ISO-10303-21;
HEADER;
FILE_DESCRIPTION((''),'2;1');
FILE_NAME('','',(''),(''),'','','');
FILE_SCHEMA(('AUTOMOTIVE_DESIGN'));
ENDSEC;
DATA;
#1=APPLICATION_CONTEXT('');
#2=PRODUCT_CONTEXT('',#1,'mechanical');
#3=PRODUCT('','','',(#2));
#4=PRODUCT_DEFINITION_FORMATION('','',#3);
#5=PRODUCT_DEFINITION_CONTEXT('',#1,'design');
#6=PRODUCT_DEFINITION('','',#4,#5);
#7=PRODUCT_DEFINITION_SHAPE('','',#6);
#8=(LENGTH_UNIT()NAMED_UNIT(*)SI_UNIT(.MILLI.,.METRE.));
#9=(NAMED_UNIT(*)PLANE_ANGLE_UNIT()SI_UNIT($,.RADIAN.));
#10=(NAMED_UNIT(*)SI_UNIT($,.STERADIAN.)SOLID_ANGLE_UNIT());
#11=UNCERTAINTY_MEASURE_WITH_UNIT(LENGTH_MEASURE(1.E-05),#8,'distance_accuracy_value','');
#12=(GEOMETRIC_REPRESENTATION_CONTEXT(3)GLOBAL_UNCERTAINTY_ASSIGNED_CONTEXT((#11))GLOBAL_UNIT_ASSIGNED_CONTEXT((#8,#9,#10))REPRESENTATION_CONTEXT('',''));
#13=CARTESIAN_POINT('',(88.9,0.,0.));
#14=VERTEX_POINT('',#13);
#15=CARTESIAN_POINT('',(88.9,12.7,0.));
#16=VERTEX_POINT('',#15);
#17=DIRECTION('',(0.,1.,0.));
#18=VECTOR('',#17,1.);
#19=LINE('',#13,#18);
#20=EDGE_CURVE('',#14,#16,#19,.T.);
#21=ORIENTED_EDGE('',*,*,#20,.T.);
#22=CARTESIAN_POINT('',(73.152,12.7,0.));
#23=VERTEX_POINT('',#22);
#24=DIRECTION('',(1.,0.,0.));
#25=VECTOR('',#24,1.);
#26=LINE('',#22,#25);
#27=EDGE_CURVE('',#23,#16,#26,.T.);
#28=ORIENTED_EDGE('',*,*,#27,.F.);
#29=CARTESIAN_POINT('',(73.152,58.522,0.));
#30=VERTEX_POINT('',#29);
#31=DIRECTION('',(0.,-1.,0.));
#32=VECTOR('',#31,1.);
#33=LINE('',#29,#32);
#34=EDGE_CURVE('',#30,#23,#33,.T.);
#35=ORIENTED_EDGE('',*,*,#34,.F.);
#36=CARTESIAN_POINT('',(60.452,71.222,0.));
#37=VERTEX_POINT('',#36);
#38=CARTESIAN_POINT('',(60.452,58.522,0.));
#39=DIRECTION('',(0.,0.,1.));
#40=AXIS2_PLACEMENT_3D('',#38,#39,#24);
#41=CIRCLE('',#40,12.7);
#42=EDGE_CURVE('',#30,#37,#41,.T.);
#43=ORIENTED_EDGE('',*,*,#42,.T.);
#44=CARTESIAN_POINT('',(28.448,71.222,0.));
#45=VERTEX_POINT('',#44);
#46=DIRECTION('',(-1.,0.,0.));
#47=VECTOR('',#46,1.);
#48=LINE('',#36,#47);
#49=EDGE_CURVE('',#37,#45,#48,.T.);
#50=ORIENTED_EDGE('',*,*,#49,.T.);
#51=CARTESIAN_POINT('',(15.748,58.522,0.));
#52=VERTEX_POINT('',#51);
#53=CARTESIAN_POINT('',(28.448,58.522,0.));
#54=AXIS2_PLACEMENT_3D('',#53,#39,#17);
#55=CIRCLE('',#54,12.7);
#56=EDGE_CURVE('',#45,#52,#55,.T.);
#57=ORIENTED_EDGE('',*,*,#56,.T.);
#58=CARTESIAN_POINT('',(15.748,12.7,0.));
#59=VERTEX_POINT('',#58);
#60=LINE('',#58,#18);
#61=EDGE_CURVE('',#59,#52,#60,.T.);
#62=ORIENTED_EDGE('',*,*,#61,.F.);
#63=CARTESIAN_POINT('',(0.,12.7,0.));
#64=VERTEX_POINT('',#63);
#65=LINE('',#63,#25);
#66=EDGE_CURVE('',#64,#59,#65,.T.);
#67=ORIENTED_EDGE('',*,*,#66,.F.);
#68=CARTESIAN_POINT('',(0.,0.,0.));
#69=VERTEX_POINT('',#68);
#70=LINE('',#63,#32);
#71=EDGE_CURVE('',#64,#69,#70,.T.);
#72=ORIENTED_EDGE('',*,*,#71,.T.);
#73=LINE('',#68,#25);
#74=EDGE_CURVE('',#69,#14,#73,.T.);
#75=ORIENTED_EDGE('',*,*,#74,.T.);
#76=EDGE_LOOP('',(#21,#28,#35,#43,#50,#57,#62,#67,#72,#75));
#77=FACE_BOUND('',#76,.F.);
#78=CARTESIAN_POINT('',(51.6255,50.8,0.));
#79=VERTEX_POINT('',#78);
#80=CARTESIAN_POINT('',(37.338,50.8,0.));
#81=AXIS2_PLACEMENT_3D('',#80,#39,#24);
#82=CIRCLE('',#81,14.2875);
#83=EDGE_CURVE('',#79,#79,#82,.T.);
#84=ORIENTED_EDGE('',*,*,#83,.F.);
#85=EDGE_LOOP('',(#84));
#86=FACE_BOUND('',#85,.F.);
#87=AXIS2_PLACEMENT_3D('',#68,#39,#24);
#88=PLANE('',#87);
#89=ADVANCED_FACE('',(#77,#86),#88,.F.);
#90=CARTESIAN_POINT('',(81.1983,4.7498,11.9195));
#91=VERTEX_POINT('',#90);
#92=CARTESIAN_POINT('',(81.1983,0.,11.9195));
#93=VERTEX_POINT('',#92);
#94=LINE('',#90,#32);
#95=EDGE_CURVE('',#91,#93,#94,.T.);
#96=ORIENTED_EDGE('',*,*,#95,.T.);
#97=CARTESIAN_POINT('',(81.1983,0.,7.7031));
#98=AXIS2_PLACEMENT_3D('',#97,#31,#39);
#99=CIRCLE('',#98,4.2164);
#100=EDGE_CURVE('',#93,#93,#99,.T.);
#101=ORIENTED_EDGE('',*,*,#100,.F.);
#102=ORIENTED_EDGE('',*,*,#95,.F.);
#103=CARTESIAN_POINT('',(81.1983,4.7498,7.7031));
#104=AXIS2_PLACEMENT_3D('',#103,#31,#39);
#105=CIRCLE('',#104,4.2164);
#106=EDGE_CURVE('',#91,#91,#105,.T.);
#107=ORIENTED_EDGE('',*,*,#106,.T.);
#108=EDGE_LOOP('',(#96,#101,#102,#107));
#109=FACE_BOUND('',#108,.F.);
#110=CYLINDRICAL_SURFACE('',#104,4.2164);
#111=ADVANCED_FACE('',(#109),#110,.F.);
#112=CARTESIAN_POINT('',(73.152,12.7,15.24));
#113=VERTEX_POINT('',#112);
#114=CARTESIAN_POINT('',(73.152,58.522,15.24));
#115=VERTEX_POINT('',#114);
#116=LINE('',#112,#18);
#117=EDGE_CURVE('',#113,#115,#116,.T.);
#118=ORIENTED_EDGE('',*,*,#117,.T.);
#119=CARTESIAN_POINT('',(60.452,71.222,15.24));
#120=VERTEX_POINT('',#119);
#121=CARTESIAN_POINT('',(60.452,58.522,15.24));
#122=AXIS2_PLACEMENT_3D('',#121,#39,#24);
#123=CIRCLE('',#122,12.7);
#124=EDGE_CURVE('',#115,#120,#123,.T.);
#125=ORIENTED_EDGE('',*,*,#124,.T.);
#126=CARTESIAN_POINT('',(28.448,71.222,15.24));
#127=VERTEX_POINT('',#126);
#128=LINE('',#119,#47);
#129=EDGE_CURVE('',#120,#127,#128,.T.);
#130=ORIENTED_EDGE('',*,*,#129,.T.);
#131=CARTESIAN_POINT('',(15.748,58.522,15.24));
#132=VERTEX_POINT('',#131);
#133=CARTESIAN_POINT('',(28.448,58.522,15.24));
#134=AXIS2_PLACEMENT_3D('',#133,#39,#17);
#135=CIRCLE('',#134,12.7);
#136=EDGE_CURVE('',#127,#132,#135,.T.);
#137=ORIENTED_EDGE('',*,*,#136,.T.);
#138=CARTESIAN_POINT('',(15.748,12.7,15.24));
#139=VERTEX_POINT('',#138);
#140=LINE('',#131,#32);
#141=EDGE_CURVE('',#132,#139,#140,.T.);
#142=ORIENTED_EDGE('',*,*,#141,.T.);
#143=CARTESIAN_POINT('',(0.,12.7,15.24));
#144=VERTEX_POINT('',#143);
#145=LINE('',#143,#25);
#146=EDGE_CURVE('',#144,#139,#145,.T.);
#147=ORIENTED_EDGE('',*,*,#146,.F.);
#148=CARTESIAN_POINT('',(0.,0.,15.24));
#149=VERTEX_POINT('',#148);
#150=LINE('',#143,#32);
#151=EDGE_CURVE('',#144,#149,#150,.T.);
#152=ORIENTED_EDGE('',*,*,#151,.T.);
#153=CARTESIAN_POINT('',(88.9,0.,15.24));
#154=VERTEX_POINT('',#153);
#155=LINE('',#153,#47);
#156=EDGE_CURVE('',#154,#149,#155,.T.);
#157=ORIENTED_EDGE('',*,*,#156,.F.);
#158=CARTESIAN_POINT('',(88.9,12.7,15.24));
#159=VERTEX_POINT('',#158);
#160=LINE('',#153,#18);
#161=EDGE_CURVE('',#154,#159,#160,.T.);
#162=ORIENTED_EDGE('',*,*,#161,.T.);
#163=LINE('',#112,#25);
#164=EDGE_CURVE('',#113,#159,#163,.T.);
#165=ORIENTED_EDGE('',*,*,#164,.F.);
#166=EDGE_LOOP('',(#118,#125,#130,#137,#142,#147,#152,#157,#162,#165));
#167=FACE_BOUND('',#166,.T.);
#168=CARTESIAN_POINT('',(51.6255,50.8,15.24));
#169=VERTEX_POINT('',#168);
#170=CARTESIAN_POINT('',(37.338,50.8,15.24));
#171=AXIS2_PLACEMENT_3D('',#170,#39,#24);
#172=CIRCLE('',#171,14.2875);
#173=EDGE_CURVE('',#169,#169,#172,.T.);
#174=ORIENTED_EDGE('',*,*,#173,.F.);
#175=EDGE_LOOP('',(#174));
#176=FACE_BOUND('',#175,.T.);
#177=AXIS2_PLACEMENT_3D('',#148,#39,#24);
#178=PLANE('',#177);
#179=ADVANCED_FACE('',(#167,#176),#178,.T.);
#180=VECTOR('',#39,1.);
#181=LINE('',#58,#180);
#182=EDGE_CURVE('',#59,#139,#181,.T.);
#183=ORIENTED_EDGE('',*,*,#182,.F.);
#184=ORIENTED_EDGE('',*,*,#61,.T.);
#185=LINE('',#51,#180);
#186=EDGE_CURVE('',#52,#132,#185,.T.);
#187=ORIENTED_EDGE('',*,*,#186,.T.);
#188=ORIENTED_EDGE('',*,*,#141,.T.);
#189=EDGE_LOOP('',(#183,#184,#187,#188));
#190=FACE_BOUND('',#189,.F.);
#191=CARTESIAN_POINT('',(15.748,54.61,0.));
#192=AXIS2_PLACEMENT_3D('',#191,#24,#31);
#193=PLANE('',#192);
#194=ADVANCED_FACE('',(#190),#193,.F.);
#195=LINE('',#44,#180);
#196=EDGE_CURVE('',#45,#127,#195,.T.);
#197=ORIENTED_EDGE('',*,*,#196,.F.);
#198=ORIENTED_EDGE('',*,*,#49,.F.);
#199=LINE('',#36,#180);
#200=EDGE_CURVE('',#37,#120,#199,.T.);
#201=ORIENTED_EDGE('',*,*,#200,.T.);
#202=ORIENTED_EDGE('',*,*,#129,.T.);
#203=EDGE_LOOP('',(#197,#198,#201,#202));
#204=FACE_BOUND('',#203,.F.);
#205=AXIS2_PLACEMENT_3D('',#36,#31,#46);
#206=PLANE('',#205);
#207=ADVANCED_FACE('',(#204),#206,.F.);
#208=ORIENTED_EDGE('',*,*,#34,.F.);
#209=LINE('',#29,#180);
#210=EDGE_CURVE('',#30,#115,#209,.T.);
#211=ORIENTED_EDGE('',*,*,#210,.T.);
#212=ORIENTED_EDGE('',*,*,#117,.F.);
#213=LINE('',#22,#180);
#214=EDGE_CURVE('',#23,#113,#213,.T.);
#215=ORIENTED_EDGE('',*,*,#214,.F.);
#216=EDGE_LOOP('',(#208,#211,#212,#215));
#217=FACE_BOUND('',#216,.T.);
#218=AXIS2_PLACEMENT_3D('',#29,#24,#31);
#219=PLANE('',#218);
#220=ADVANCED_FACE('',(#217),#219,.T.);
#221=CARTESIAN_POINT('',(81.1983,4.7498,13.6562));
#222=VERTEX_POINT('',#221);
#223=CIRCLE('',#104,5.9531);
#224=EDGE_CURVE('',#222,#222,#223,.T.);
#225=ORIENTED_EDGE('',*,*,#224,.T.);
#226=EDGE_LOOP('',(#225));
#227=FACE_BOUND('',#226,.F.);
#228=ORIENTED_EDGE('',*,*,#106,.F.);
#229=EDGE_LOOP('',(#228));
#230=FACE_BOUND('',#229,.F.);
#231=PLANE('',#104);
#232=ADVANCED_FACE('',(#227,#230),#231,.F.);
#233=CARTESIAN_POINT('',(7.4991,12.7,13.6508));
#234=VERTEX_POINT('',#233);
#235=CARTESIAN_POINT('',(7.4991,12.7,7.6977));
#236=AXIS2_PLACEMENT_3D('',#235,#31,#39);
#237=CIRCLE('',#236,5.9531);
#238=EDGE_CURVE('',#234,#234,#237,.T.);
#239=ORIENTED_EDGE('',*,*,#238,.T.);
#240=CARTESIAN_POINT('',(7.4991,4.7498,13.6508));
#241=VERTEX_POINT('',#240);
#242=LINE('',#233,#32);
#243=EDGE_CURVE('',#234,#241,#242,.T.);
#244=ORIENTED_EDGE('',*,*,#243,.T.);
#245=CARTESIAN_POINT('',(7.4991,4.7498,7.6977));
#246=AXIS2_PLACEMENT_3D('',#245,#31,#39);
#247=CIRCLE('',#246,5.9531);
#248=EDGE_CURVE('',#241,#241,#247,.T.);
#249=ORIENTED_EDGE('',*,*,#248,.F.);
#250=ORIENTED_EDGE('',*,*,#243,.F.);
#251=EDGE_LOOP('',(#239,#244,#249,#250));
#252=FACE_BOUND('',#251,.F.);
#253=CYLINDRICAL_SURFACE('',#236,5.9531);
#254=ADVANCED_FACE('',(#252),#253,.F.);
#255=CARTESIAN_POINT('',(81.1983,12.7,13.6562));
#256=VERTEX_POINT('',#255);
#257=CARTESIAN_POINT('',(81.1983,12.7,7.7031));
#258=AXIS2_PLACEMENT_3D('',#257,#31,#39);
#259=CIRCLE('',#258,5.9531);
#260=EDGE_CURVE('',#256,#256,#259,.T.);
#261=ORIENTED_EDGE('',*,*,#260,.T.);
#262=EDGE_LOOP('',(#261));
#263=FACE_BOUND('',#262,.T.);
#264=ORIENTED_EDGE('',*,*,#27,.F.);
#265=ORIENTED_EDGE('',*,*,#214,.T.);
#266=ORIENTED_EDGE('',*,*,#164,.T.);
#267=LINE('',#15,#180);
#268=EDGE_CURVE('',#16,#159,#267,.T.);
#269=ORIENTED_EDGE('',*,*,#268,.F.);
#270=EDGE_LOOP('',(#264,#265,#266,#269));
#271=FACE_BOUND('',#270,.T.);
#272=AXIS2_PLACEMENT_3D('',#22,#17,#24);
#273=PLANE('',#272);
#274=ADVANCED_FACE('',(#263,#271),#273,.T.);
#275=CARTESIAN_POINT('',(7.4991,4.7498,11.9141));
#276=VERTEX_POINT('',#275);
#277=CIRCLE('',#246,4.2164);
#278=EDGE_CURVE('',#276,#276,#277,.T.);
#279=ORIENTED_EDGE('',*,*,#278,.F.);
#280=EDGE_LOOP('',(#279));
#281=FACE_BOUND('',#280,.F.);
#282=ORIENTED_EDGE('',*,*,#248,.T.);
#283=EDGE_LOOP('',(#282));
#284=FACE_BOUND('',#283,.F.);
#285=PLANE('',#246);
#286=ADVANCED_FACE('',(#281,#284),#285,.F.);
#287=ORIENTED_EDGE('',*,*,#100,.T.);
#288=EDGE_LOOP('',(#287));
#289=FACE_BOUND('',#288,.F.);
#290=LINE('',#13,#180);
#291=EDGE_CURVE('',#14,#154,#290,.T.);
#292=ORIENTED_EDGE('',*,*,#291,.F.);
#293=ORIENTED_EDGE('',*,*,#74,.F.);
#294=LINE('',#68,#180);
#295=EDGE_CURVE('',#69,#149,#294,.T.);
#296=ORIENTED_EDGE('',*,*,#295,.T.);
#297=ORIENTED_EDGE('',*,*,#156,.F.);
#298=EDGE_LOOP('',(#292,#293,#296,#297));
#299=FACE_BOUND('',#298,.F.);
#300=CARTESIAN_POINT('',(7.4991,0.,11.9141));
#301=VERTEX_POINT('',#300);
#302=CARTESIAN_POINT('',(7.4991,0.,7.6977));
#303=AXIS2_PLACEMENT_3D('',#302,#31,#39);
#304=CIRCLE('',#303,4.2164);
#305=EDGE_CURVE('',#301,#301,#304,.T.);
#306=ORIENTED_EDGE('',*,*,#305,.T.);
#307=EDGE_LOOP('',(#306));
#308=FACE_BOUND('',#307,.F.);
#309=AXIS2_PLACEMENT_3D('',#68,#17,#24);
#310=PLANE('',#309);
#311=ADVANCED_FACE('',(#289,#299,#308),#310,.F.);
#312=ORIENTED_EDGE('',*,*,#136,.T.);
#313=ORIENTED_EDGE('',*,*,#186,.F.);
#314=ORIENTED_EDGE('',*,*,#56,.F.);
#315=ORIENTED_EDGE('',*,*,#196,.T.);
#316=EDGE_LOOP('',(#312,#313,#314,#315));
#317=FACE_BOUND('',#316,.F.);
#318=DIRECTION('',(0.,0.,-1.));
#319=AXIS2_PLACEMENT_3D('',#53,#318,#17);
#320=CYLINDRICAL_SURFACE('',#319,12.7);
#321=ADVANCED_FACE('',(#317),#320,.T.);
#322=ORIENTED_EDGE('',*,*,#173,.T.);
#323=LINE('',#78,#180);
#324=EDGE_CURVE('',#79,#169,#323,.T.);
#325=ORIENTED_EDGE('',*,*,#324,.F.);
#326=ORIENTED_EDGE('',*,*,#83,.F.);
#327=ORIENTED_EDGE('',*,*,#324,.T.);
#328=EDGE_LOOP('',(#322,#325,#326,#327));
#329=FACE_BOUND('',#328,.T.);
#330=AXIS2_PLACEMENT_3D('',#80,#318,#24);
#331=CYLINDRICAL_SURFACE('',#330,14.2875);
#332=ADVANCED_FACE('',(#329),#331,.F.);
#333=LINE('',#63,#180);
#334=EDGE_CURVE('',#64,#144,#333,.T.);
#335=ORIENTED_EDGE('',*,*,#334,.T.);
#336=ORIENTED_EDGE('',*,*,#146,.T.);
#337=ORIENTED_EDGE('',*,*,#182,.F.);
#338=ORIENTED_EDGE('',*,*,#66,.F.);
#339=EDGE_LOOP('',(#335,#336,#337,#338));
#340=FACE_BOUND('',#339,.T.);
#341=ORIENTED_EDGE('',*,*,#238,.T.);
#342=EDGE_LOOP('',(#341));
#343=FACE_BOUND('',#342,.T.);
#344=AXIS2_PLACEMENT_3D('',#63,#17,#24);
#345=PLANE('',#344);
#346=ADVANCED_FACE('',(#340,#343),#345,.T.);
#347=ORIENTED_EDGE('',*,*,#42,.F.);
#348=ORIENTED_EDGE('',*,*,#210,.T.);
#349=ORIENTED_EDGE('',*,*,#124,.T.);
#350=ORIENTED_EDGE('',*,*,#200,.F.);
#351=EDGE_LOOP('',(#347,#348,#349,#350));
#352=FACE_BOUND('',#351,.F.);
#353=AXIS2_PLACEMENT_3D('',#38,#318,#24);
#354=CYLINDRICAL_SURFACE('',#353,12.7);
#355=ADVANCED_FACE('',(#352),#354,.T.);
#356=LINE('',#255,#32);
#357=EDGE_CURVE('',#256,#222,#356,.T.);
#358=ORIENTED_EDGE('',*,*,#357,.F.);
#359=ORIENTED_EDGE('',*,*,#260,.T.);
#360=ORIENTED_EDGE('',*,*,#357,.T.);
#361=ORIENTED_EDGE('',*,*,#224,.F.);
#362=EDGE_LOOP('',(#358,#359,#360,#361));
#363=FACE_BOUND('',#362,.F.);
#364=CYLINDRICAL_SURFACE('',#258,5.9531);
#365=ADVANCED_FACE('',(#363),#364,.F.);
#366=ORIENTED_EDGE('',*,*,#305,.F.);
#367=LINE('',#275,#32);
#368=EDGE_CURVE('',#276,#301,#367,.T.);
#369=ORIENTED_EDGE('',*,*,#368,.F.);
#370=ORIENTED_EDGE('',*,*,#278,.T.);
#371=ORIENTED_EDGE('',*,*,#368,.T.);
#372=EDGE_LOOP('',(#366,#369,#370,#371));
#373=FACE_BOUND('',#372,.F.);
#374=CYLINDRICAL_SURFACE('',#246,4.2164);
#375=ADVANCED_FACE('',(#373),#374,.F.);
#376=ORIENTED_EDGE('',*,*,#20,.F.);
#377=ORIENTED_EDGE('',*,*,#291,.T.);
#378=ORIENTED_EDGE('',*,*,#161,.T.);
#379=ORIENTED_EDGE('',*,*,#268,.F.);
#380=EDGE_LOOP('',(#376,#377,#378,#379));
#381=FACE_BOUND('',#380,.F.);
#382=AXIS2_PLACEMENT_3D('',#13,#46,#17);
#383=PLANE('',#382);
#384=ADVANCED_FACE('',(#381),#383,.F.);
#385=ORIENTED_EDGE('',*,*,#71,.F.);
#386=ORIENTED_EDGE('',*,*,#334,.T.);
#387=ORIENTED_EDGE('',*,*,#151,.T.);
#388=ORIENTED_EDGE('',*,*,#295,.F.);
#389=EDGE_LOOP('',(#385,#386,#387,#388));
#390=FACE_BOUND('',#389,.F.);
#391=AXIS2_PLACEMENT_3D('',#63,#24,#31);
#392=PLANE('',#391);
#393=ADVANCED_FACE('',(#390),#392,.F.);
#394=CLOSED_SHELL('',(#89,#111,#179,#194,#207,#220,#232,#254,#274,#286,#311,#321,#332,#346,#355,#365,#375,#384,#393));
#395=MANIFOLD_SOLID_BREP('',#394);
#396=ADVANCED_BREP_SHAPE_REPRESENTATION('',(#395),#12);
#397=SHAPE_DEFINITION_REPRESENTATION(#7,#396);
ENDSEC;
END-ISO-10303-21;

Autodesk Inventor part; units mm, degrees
ref_plane "YZ Plane" through (0, 0, 0) normal (1, 0, 0) x (0, 1, 0)
ref_plane "XZ Plane" through (0, 0, 0) normal (0, 1, 0) x (-1, 0, 0)
ref_plane "XY Plane" through (0, 0, 0) normal (0, 0, 1) x (1, 0, 0)
sketch "Sketch1" plane through (0, 0, 0) normal (0, 0, 1) x (1, 0, 0)
  line L0 (0, 0) -> (88.9, 0)
  line L1 (88.9, 0) -> (88.9, 12.7)
  line L2 (0, 12.7) -> (0, 0)
  line L3 (0, 12.7) -> (0, 0)
  circle A0 centre (37.338, 50.8) radius 14.2875
  line L4 (0, 0) -> (0, 12.7)
  line L5 (0, 0) -> (0, 12.7)
  line L6 (0, 12.7) -> (15.748, 12.7)
  line L7 (13.208, 0) -> (0, 0)
  line L8 (15.748, 12.7) -> (0, 12.7)
  line L9 (15.748, 54.61) -> (15.748, 12.7)
  line L10 (88.9, 0) -> (62.992, 0)
  line L11 (73.152, 12.7) -> (88.9, 12.7)
  line L12 (88.9, 12.7) -> (88.9, 0)
  line L13 (73.152, 12.7) -> (73.152, 54.61)
  line L14 (60.452, 71.222) -> (28.448, 71.222)
  line L15 (15.748, 54.61) -> (15.748, 58.522)
  line L16 (73.152, 58.522) -> (73.152, 54.61)
  arc A1 (28.448, 71.222) -> (15.748, 58.522) centre (28.448, 58.522) ccw
  arc A2 (73.152, 58.522) -> (60.452, 71.222) centre (60.452, 58.522) ccw
  point P0 (65.9232, 76.2)
  point P1 (0, 12.7)
  dimension "d9" = 28.575
  dimension "d10" = 88.9
  dimension "d56" = 12.7
  dimension "d57" = 15.748
  dimension "d79" = 21.59
  dimension "d83" = 15.748
  dimension "d87" = 12.7
  dimension "d111" = 41.91
  dimension "d112" = 41.91
  dimension "d118" = 25.4
  dimension "d119" = 12.7
extrude "Extrusion7" add sketch "Sketch1" along normal blind 15.24
sketch "Sketch9" plane through (73.152, 12.7, 0) normal (0, 1, 0) x (1, 0, 0)
  point P0 (-73.152, 0)
  point P1 (8.0463, -7.7031)
hole "Hole4" at (81.1983, 12.7, 7.7031) direction (0, -1, 0) diameter 8.4328 end through all counterbore diameter 11.9062 counterbore depth 7.9502 clearance for "Socket Head Cap Screw" size "5/16" standard "Ansi Unified Screw Threads"
sketch "Sketch10" plane through (0.0713, 12.7, -0.0767) normal (0, 1, 0) x (1, 0, 0)
  point P0 (-75.692, 0)
  point P1 (7.4278, -7.7745)
hole "Hole5" at (7.4991, 12.7, 7.6977) direction (0, -1, 0) diameter 8.4328 end through all counterbore diameter 11.9062 counterbore depth 7.9502 clearance for "Socket Head Cap Screw" size "5/16" standard "Ansi Unified Screw Threads"
properties part number "Updated Support"
